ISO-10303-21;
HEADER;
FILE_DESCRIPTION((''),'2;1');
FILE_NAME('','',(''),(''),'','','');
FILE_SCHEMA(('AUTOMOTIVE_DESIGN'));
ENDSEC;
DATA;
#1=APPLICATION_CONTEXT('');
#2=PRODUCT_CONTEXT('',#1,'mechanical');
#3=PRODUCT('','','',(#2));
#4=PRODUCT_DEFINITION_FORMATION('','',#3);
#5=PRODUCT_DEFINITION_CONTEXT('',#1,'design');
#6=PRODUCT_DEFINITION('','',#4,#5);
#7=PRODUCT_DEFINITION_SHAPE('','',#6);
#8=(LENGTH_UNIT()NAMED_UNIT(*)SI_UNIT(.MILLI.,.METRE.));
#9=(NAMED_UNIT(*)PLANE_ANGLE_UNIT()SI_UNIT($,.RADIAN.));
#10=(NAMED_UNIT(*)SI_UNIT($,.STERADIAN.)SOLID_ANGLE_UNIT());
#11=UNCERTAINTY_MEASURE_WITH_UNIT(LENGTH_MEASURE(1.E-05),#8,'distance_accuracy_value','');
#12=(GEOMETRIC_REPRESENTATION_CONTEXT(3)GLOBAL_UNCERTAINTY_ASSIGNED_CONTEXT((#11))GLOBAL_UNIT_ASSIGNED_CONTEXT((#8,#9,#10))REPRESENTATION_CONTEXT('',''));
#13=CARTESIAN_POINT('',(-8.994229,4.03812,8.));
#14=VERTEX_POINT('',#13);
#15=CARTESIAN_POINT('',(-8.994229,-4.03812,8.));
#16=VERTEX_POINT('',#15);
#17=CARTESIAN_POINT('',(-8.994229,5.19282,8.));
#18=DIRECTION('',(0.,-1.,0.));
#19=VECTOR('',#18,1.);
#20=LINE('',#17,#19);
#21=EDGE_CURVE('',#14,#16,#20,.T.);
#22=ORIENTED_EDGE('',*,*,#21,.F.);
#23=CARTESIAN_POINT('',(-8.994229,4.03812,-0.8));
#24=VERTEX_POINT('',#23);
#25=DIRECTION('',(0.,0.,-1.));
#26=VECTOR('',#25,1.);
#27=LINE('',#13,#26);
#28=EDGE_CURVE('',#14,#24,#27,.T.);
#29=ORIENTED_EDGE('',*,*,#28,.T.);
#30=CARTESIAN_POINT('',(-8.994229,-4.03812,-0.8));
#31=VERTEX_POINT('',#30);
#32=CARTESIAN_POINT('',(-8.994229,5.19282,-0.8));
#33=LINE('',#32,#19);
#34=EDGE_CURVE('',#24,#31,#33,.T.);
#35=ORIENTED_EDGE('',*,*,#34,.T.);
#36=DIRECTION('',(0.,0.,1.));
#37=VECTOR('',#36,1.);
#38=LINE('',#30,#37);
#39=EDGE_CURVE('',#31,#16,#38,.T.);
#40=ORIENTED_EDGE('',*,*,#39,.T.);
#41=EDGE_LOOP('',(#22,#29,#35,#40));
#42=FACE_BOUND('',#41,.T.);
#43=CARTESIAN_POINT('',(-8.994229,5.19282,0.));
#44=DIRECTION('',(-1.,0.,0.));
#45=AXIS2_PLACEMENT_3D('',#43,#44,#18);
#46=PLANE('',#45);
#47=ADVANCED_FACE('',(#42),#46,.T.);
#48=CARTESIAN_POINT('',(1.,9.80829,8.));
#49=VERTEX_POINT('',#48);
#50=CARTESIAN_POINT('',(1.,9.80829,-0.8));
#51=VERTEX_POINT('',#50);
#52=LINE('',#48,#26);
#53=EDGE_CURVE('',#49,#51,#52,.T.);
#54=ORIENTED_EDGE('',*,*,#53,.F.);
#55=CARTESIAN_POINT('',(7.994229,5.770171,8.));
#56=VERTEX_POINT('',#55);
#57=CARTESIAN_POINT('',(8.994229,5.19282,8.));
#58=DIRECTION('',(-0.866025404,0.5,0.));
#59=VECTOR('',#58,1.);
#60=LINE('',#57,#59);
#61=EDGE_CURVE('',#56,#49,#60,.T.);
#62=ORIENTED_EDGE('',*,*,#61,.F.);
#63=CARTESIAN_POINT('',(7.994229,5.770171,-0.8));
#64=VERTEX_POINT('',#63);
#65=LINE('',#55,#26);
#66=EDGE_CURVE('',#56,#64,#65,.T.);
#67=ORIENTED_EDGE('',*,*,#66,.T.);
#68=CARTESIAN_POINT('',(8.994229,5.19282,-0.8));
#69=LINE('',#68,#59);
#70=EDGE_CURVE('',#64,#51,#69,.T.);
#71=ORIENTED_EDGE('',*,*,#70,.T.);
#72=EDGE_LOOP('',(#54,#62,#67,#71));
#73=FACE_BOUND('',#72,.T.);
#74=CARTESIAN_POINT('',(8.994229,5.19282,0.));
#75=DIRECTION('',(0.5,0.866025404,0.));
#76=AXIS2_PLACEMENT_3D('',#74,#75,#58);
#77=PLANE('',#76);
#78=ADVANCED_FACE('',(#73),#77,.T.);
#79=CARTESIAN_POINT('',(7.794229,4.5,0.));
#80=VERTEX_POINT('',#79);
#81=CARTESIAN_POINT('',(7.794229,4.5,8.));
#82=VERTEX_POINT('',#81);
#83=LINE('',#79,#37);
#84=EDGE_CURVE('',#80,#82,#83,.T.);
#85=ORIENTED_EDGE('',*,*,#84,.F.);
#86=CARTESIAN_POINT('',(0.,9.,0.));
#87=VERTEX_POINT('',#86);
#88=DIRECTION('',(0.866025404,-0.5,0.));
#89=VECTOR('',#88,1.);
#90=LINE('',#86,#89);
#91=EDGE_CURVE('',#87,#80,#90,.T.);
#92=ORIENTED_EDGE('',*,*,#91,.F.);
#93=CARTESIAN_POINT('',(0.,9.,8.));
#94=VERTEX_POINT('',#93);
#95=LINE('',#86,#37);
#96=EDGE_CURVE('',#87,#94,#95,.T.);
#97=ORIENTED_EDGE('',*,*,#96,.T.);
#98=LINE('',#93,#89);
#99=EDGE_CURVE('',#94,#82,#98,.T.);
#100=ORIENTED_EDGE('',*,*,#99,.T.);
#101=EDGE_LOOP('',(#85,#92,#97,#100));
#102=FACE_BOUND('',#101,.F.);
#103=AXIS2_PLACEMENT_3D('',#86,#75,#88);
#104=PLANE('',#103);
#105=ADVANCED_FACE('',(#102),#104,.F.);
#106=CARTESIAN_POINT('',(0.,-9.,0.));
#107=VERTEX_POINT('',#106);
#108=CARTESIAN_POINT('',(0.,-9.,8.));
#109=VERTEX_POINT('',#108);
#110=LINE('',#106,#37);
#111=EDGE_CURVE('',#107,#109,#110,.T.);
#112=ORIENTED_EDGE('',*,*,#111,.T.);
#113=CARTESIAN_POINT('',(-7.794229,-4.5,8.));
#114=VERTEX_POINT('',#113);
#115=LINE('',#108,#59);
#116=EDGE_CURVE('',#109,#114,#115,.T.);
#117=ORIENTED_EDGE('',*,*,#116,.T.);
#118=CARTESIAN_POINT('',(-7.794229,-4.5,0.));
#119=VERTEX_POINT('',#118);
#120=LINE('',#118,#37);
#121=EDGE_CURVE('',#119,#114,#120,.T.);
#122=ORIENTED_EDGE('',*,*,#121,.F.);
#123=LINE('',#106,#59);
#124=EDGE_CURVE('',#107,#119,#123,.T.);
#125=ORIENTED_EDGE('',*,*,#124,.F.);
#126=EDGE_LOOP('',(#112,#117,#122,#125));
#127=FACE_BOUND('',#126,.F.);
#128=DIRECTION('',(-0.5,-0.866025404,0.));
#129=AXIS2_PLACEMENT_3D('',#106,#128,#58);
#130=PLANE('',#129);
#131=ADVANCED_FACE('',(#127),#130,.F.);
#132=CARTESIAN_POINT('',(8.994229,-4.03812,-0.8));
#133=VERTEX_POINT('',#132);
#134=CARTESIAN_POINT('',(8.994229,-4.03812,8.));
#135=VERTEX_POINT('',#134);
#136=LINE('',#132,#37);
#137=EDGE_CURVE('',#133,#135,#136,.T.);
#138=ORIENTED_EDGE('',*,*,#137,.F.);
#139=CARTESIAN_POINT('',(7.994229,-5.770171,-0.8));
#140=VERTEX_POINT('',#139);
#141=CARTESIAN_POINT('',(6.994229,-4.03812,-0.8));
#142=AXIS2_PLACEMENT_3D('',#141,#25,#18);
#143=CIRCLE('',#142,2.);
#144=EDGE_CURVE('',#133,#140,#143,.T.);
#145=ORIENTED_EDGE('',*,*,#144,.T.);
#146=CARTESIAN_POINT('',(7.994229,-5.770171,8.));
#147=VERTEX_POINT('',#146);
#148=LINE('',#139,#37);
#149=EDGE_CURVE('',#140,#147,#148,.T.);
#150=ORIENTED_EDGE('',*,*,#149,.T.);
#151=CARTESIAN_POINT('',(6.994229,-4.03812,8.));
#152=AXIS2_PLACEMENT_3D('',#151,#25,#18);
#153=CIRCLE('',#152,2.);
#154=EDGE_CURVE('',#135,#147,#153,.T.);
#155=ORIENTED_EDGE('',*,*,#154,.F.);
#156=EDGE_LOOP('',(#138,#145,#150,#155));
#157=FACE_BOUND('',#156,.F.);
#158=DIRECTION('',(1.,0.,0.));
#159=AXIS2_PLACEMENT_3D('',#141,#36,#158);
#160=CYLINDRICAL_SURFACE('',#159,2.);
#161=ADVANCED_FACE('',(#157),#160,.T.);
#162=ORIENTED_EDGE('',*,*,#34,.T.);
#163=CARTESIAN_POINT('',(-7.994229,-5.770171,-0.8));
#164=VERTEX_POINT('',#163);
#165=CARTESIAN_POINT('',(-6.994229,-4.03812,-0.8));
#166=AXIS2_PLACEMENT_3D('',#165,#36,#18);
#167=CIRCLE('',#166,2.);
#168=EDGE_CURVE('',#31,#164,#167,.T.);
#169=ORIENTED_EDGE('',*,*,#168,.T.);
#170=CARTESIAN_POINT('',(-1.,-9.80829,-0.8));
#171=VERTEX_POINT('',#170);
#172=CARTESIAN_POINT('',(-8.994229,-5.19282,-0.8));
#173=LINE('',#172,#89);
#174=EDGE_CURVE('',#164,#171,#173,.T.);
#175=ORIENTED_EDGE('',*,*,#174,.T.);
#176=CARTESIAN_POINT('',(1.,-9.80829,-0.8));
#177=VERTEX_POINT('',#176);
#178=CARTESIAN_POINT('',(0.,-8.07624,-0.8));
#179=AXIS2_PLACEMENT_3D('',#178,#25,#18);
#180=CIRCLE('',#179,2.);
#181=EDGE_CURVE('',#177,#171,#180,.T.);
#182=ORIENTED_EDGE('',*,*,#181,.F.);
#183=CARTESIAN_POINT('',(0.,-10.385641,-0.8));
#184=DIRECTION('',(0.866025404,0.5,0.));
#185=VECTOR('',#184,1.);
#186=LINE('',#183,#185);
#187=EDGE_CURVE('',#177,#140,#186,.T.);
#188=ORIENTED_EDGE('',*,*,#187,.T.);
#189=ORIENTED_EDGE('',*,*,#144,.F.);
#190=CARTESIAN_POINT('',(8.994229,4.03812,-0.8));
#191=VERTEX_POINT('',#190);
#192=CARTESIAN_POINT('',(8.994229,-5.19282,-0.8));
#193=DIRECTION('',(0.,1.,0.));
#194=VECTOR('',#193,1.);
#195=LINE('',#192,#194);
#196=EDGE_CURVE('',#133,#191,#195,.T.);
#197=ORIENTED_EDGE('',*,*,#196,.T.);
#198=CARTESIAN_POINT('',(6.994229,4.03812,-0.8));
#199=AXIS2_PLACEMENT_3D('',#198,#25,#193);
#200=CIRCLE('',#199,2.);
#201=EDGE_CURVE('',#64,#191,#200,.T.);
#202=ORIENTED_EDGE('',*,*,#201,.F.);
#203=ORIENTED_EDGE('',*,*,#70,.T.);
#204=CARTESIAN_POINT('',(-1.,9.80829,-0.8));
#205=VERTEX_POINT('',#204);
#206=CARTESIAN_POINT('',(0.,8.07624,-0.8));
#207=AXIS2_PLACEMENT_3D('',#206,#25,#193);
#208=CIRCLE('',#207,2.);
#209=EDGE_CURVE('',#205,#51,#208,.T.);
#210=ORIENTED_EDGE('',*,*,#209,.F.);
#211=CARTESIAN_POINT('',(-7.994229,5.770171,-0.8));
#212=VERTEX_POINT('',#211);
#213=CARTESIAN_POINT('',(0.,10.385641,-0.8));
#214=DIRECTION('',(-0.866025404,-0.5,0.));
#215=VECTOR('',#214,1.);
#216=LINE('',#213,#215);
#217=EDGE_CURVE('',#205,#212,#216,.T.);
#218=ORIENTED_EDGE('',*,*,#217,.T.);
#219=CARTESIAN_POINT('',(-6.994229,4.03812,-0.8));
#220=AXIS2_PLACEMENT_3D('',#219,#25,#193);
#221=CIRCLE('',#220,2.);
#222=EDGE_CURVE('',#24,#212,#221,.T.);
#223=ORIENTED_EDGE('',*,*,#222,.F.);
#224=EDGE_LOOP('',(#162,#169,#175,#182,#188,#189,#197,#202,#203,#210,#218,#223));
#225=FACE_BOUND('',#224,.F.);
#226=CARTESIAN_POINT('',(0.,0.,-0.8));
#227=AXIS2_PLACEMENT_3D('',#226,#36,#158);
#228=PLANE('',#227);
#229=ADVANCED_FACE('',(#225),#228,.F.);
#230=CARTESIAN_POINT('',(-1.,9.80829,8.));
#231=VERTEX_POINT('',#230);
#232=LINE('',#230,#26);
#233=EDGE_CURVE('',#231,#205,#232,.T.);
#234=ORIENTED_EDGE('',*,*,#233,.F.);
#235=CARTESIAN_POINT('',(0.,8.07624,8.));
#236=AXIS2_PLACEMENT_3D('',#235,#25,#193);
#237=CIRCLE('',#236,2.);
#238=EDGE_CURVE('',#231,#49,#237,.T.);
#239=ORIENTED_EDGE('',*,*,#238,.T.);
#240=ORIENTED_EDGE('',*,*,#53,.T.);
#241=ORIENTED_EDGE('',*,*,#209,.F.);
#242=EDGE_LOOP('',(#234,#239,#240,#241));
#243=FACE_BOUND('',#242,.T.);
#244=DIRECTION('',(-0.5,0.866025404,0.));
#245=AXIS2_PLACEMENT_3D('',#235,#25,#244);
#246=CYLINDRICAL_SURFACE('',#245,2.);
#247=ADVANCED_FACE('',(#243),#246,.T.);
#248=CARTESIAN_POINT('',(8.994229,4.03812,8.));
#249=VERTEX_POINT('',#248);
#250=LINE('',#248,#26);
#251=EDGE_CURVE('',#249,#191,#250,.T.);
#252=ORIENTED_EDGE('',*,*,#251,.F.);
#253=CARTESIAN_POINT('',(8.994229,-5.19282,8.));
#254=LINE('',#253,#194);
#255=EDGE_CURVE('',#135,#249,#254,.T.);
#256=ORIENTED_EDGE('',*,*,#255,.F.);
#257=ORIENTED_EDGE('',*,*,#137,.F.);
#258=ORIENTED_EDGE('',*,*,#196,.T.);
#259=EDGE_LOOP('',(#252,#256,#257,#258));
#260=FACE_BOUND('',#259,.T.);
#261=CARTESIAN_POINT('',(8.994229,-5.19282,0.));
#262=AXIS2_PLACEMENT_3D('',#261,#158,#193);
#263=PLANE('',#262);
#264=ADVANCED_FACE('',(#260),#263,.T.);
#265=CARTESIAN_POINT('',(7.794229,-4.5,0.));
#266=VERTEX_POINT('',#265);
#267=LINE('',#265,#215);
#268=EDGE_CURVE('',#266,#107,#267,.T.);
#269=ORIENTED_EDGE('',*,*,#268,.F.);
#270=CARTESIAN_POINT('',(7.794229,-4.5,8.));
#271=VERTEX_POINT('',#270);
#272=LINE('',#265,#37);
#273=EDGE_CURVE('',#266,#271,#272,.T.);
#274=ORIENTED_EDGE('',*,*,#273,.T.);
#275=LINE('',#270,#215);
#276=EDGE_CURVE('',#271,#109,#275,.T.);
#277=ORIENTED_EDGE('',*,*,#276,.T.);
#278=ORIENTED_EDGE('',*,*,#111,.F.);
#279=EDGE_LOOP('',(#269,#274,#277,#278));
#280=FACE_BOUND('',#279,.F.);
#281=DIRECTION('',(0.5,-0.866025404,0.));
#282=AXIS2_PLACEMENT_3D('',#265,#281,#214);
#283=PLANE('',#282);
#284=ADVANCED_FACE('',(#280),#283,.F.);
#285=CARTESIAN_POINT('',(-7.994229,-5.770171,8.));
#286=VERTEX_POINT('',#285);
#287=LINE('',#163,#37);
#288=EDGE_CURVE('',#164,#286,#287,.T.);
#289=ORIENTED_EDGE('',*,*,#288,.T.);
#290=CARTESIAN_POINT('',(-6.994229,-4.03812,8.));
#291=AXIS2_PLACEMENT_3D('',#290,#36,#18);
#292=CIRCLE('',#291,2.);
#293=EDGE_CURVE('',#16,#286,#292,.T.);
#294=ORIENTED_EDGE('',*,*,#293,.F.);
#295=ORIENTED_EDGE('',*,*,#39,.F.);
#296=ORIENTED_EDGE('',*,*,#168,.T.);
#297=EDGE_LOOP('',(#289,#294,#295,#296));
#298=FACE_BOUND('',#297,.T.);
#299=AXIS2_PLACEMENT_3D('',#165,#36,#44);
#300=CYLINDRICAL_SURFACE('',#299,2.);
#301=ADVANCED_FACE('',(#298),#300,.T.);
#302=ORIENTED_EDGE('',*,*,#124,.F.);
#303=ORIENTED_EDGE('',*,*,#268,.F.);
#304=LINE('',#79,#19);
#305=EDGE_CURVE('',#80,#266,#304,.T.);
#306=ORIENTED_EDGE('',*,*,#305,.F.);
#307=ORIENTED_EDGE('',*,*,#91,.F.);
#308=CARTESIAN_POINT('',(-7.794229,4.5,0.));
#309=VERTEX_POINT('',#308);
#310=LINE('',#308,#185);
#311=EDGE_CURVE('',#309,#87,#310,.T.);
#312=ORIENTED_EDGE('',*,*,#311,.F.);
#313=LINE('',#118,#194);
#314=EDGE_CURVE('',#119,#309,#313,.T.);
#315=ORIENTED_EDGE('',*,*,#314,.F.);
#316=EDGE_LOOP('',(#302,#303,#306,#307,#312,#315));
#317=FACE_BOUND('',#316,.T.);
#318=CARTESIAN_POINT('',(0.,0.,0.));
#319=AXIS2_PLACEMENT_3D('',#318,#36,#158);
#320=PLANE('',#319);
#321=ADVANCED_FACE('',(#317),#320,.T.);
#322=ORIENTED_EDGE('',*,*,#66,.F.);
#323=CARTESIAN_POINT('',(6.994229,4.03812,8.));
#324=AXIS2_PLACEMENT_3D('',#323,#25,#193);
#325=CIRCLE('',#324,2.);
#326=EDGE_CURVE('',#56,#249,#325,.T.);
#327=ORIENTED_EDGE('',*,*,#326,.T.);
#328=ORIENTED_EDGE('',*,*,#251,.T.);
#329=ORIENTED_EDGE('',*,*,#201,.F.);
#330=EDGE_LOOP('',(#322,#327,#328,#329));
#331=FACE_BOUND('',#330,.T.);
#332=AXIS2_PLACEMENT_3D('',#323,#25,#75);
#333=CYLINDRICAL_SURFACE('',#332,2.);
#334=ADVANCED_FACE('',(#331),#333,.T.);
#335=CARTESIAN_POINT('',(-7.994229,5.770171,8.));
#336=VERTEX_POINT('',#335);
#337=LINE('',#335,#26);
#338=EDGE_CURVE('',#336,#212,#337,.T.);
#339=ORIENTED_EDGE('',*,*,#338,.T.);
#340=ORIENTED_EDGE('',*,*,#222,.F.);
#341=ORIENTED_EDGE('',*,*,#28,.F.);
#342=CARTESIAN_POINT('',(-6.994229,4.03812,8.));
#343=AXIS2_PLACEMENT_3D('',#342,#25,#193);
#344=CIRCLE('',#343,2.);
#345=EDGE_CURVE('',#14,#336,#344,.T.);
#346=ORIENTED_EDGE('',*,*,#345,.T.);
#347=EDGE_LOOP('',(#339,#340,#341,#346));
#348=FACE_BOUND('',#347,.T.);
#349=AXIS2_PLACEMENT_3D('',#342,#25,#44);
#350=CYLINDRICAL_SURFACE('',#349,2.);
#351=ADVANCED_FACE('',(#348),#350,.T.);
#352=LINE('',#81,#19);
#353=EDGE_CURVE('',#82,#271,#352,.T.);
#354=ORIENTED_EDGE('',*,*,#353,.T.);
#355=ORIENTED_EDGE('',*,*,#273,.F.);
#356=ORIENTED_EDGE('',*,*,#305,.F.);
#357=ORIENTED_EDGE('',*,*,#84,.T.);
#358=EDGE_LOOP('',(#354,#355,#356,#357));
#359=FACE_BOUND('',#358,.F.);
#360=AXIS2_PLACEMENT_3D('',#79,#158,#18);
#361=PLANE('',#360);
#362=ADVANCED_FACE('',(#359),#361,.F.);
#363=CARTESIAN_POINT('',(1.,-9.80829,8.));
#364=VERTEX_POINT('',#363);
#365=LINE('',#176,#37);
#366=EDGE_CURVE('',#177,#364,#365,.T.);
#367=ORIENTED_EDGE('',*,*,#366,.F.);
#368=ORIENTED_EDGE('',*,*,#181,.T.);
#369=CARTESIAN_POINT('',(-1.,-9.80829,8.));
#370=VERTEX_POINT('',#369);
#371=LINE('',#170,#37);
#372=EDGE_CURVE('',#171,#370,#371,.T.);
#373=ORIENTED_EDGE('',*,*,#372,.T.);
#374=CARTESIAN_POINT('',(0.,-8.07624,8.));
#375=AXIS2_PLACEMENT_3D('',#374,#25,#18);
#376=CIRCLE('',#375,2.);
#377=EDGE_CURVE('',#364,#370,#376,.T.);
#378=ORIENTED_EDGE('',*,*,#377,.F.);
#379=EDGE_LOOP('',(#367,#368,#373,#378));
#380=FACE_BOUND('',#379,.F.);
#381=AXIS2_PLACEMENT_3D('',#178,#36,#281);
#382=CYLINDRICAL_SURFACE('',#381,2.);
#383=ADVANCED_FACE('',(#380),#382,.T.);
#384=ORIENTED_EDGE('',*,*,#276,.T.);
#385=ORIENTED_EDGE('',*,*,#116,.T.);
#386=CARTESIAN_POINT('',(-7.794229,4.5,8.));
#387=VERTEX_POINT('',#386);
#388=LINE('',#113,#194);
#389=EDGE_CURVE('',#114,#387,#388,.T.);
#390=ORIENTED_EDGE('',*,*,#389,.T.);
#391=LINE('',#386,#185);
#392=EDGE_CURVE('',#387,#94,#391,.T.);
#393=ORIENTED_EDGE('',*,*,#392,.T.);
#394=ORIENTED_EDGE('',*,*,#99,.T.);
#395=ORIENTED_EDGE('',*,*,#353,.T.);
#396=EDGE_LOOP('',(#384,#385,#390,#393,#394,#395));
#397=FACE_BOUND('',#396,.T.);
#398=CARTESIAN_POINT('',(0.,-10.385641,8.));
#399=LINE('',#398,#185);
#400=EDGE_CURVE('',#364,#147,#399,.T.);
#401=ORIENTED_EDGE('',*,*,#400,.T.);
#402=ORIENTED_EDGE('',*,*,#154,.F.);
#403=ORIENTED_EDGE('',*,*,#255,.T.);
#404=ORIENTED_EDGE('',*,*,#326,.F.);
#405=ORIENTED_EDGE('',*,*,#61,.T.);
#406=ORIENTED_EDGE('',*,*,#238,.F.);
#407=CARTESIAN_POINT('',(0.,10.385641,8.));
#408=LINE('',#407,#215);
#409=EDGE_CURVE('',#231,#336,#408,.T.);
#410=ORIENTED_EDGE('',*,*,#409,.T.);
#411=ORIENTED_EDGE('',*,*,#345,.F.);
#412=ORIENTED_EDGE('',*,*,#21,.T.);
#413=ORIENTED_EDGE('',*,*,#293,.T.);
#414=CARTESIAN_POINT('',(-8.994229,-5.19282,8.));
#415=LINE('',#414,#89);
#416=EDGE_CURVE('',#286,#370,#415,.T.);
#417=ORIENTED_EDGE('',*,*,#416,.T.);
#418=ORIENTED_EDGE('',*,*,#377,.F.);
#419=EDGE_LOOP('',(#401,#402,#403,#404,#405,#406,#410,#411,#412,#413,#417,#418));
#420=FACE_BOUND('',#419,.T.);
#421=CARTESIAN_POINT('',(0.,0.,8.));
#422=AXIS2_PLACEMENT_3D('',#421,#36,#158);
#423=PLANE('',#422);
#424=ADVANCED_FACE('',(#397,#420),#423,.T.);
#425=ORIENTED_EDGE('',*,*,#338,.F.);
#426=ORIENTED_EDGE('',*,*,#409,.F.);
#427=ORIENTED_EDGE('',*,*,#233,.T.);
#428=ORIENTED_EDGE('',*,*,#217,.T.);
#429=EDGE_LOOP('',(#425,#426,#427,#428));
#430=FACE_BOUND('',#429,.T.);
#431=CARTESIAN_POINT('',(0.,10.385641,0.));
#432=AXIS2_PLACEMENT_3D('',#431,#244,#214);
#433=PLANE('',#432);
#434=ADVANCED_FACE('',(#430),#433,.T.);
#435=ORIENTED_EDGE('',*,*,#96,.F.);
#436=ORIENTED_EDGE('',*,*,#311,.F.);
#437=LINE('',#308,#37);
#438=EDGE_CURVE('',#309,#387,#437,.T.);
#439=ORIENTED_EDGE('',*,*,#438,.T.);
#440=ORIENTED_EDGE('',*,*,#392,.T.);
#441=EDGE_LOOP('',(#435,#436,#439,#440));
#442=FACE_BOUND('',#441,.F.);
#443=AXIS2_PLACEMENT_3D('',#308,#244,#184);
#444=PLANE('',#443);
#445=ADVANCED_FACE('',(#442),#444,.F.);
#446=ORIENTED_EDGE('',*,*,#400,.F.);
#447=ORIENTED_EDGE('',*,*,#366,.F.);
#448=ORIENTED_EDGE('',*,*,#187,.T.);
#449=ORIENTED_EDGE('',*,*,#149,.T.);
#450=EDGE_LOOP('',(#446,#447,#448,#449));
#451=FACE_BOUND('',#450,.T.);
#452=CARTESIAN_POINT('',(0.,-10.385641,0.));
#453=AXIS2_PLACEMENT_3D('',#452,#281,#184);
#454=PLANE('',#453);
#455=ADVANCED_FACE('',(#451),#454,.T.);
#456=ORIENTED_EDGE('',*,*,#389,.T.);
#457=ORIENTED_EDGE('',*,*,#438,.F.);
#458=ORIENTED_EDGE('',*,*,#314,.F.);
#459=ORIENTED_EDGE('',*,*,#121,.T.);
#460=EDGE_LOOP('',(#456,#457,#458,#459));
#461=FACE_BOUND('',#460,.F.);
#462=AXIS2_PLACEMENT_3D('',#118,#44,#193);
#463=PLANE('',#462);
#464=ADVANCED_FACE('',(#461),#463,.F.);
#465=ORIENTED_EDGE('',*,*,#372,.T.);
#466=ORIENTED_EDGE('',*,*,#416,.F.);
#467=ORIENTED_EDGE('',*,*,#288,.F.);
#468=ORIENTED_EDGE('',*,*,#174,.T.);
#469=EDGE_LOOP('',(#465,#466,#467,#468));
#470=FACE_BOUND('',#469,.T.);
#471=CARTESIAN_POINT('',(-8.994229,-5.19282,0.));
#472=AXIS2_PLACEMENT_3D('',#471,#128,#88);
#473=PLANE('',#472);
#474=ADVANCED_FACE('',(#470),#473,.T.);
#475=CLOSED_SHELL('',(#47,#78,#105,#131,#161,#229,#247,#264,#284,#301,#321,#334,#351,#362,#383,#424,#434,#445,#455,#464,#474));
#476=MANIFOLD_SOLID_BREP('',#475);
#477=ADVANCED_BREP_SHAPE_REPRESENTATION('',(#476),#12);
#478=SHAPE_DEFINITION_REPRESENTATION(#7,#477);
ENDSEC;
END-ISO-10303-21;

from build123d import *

# Parameters (mm, degrees)
F1_DEPTH = 8
F2_DEPTH = 0.8
F3_R     = 2


with BuildPart() as f1:
    # F0 (on Top) → F1 (new body)
    with BuildSketch(Plane.XY):
        Polygon((-8.9942286341, 5.192820323), (-8.9942286341, -5.192820323), (0, -10.3856406461), (8.9942286341, -5.192820323), (8.9942286341, 5.192820323), (0, 10.3856406461), align=None)
        Polygon((0, -9), (-7.7942286341, -4.5), (-7.7942286341, 4.5), (0, 9), (7.7942286341, 4.5), (7.7942286341, -4.5), align=None, mode=Mode.SUBTRACT)
    extrude(amount=F1_DEPTH)

    # F0 (on Top) → F2 (join)
    with BuildSketch(Plane.XY):
        Polygon((-8.9942286341, 5.192820323), (-8.9942286341, -5.192820323), (0, -10.3856406461), (8.9942286341, -5.192820323), (8.9942286341, 5.192820323), (0, 10.3856406461), align=None)
        Polygon((0, -9), (-7.7942286341, -4.5), (-7.7942286341, 4.5), (0, 9), (7.7942286341, 4.5), (7.7942286341, -4.5), align=None, mode=Mode.SUBTRACT)
        Polygon((-7.7942286341, 4.5), (-7.7942286341, -4.5), (0, -9), (7.7942286341, -4.5), (7.7942286341, 4.5), (0, 9), align=None)
    extrude(amount=-F2_DEPTH)

    # F3
    f3_edges = [f1.edges().sort_by_distance(p)[0] for p in [
        (-8.994229, -5.19282, 3.6),
        (-8.994229, 5.19282, 3.6),
        (0, -10.385641, 3.6),
        (8.994229, -5.19282, 3.6),
        (8.994229, 5.19282, 3.6),
        (0, 10.385641, 3.6),
    ]]
    fillet(f3_edges, radius=F3_R)


solid = f1.part
